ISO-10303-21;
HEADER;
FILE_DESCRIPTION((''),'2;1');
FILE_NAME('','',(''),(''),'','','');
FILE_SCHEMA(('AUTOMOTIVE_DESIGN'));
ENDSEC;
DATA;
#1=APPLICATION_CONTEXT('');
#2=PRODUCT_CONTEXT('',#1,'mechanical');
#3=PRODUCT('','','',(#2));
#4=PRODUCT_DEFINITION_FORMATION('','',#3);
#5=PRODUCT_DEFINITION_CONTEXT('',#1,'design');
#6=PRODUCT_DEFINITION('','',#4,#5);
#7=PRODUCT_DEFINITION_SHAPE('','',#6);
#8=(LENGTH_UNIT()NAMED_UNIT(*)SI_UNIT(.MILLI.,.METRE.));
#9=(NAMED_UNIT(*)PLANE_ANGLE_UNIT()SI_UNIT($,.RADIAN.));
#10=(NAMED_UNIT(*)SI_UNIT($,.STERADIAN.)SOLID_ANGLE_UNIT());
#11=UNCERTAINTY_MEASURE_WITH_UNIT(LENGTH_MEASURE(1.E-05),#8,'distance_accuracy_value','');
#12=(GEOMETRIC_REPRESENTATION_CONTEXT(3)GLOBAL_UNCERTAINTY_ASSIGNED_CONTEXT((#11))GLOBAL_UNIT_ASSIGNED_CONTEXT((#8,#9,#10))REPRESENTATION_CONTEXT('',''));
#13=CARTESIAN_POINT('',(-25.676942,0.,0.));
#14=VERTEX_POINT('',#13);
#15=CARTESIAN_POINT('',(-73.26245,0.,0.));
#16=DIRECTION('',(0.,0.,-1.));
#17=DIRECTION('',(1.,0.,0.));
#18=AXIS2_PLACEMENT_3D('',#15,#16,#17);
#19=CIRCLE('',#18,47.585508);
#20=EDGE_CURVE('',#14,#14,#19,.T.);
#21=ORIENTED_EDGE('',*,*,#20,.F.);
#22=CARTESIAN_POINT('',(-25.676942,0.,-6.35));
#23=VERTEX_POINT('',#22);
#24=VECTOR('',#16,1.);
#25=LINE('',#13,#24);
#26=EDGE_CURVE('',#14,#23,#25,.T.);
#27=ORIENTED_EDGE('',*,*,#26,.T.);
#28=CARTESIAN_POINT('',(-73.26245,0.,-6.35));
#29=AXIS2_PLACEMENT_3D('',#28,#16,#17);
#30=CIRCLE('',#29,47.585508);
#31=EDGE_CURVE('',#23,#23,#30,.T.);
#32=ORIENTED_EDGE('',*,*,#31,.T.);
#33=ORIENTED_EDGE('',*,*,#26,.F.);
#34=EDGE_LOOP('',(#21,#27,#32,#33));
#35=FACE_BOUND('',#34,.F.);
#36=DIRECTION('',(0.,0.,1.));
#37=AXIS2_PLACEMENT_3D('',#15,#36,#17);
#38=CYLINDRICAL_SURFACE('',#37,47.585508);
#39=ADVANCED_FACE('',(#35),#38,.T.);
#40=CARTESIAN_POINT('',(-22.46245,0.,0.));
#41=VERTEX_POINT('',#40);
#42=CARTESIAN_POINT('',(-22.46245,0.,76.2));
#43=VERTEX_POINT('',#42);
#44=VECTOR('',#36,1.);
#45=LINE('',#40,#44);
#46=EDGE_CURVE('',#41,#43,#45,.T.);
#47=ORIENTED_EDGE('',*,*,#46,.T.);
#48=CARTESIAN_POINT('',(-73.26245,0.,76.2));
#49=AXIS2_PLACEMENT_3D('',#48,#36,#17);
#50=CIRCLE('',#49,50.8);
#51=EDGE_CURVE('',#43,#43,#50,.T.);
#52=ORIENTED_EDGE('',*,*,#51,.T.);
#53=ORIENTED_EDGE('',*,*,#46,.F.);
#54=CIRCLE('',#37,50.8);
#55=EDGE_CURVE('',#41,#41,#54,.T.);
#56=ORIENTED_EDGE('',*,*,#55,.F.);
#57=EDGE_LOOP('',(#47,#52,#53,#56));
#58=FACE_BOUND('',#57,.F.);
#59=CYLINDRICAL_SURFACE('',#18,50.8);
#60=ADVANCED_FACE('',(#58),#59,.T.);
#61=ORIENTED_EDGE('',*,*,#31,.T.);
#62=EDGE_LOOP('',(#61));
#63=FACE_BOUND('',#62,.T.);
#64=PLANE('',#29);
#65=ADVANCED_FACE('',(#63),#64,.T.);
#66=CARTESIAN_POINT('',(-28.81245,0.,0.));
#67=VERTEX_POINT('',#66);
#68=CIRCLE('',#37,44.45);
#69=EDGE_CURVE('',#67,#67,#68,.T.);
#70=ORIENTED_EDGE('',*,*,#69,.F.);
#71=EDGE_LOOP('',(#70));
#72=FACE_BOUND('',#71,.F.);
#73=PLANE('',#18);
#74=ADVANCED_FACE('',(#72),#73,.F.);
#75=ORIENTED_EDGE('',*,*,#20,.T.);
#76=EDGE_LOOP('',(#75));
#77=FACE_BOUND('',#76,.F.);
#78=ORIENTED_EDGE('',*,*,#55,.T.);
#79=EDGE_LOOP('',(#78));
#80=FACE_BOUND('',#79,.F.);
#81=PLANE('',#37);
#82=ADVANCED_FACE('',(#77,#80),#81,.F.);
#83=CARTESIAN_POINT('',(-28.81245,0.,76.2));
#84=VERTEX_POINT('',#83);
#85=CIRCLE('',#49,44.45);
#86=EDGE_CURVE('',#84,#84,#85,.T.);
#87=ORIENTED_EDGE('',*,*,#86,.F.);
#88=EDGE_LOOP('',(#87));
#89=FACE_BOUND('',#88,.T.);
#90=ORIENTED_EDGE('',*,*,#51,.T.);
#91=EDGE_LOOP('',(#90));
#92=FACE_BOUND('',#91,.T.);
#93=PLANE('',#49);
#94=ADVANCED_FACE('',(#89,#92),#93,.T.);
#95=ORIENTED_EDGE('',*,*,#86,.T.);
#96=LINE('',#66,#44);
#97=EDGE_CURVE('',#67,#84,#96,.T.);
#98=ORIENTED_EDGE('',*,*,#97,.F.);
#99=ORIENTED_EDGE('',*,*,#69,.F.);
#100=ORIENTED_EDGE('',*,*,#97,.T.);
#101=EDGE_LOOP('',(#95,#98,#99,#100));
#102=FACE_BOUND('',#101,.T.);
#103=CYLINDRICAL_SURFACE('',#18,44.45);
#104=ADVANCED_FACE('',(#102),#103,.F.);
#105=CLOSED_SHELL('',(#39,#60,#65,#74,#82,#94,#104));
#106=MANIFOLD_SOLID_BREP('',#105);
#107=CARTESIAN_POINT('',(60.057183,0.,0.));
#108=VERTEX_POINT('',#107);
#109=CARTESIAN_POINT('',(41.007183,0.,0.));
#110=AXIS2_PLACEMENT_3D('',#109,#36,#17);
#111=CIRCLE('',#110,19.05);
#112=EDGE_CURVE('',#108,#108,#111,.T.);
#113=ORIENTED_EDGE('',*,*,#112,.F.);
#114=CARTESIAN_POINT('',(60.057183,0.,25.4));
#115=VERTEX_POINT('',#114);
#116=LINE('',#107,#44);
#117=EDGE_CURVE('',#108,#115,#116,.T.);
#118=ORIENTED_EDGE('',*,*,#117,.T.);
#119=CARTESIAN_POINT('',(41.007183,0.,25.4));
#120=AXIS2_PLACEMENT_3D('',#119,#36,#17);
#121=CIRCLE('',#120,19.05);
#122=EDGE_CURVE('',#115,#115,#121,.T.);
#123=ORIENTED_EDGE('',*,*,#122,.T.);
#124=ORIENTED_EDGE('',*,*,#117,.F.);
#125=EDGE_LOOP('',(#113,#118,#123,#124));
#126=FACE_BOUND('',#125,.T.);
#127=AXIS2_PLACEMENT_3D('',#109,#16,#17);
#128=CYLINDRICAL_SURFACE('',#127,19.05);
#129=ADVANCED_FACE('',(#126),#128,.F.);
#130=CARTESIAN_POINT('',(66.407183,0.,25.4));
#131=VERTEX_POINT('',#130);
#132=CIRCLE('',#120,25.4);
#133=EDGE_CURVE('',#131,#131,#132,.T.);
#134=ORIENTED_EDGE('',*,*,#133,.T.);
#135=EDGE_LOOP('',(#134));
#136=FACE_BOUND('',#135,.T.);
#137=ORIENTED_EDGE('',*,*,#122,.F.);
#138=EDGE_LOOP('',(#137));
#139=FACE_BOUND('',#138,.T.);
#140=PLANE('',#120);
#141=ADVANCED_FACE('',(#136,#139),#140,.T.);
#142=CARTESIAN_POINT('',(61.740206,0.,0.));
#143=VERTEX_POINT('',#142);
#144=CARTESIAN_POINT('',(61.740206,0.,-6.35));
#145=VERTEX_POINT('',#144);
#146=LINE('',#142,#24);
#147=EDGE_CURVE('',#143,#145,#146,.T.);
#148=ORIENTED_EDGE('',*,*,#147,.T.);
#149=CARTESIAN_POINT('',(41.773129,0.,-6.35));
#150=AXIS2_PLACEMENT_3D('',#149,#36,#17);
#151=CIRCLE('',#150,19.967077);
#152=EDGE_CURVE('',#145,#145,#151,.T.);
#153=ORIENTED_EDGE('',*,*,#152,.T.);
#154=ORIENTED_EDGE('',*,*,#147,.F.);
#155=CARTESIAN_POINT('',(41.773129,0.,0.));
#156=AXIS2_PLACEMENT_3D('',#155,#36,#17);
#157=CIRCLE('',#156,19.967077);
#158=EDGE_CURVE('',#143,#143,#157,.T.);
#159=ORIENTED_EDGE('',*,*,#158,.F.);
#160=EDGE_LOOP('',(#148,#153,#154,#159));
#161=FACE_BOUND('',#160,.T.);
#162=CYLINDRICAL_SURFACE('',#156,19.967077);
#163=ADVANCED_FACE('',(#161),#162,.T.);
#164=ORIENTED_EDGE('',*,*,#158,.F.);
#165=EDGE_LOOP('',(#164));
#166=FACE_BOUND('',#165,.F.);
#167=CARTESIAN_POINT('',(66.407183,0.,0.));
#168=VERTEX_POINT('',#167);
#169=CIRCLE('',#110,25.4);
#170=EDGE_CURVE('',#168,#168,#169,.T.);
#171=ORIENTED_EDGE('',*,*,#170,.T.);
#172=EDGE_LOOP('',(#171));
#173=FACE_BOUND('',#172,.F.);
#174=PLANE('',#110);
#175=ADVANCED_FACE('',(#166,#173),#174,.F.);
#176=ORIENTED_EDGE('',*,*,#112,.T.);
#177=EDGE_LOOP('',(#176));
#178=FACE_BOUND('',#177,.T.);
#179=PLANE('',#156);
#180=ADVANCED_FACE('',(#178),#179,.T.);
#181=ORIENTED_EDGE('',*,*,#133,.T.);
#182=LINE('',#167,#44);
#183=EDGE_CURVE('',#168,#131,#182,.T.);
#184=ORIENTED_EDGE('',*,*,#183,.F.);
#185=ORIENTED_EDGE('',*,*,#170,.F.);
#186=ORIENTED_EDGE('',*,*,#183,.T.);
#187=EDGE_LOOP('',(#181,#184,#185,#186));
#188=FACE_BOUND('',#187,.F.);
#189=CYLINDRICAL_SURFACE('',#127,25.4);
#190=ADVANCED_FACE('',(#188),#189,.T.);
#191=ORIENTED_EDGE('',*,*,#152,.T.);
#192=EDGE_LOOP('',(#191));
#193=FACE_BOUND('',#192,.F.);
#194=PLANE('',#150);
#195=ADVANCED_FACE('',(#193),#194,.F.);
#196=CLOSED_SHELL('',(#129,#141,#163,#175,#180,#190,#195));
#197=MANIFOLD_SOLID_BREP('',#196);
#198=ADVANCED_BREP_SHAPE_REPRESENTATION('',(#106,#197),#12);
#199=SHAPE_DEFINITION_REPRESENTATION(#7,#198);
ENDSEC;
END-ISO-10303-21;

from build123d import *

# Parameters (mm, degrees)
F0_R     = 50.8
F0_R_2   = 44.45
F1_DEPTH = 76.2
F2_R     = 47.585508
F3_DEPTH = 6.35
F4_R     = 25.4
F4_R_2   = 19.05
F5_DEPTH = 25.4
F6_R     = 19.967077
F7_DEPTH = 6.35


with BuildPart() as f1:
    # F0 (on Top) → F1 (new body)
    with BuildSketch(Plane.XY):
        with Locations((-73.26245, 0)):
            Circle(F0_R)
        with Locations((-73.26245, 0)):
            Circle(F0_R_2, mode=Mode.SUBTRACT)
    extrude(amount=F1_DEPTH)

    # F2 (on face) → F3 (join)
    with BuildSketch(Plane(origin=(0, 0, 0), x_dir=(1, 0, 0), z_dir=(0, 0, -1))):
        with Locations((-73.26245, 0)):
            Circle(F2_R)
    extrude(amount=F3_DEPTH)


with BuildPart() as f5:
    # F4 (on Top) → F5 (new body)
    with BuildSketch(Plane.XY):
        with Locations((41.007183, 0)):
            Circle(F4_R)
        with Locations((41.007183, 0)):
            Circle(F4_R_2, mode=Mode.SUBTRACT)
    extrude(amount=F5_DEPTH)

    # F6 (on Top) → F7 (join)
    with BuildSketch(Plane.XY):
        with Locations((41.773129, 0)):
            Circle(F6_R)
    extrude(amount=-F7_DEPTH)


solid = Compound([f1.part, f5.part])
